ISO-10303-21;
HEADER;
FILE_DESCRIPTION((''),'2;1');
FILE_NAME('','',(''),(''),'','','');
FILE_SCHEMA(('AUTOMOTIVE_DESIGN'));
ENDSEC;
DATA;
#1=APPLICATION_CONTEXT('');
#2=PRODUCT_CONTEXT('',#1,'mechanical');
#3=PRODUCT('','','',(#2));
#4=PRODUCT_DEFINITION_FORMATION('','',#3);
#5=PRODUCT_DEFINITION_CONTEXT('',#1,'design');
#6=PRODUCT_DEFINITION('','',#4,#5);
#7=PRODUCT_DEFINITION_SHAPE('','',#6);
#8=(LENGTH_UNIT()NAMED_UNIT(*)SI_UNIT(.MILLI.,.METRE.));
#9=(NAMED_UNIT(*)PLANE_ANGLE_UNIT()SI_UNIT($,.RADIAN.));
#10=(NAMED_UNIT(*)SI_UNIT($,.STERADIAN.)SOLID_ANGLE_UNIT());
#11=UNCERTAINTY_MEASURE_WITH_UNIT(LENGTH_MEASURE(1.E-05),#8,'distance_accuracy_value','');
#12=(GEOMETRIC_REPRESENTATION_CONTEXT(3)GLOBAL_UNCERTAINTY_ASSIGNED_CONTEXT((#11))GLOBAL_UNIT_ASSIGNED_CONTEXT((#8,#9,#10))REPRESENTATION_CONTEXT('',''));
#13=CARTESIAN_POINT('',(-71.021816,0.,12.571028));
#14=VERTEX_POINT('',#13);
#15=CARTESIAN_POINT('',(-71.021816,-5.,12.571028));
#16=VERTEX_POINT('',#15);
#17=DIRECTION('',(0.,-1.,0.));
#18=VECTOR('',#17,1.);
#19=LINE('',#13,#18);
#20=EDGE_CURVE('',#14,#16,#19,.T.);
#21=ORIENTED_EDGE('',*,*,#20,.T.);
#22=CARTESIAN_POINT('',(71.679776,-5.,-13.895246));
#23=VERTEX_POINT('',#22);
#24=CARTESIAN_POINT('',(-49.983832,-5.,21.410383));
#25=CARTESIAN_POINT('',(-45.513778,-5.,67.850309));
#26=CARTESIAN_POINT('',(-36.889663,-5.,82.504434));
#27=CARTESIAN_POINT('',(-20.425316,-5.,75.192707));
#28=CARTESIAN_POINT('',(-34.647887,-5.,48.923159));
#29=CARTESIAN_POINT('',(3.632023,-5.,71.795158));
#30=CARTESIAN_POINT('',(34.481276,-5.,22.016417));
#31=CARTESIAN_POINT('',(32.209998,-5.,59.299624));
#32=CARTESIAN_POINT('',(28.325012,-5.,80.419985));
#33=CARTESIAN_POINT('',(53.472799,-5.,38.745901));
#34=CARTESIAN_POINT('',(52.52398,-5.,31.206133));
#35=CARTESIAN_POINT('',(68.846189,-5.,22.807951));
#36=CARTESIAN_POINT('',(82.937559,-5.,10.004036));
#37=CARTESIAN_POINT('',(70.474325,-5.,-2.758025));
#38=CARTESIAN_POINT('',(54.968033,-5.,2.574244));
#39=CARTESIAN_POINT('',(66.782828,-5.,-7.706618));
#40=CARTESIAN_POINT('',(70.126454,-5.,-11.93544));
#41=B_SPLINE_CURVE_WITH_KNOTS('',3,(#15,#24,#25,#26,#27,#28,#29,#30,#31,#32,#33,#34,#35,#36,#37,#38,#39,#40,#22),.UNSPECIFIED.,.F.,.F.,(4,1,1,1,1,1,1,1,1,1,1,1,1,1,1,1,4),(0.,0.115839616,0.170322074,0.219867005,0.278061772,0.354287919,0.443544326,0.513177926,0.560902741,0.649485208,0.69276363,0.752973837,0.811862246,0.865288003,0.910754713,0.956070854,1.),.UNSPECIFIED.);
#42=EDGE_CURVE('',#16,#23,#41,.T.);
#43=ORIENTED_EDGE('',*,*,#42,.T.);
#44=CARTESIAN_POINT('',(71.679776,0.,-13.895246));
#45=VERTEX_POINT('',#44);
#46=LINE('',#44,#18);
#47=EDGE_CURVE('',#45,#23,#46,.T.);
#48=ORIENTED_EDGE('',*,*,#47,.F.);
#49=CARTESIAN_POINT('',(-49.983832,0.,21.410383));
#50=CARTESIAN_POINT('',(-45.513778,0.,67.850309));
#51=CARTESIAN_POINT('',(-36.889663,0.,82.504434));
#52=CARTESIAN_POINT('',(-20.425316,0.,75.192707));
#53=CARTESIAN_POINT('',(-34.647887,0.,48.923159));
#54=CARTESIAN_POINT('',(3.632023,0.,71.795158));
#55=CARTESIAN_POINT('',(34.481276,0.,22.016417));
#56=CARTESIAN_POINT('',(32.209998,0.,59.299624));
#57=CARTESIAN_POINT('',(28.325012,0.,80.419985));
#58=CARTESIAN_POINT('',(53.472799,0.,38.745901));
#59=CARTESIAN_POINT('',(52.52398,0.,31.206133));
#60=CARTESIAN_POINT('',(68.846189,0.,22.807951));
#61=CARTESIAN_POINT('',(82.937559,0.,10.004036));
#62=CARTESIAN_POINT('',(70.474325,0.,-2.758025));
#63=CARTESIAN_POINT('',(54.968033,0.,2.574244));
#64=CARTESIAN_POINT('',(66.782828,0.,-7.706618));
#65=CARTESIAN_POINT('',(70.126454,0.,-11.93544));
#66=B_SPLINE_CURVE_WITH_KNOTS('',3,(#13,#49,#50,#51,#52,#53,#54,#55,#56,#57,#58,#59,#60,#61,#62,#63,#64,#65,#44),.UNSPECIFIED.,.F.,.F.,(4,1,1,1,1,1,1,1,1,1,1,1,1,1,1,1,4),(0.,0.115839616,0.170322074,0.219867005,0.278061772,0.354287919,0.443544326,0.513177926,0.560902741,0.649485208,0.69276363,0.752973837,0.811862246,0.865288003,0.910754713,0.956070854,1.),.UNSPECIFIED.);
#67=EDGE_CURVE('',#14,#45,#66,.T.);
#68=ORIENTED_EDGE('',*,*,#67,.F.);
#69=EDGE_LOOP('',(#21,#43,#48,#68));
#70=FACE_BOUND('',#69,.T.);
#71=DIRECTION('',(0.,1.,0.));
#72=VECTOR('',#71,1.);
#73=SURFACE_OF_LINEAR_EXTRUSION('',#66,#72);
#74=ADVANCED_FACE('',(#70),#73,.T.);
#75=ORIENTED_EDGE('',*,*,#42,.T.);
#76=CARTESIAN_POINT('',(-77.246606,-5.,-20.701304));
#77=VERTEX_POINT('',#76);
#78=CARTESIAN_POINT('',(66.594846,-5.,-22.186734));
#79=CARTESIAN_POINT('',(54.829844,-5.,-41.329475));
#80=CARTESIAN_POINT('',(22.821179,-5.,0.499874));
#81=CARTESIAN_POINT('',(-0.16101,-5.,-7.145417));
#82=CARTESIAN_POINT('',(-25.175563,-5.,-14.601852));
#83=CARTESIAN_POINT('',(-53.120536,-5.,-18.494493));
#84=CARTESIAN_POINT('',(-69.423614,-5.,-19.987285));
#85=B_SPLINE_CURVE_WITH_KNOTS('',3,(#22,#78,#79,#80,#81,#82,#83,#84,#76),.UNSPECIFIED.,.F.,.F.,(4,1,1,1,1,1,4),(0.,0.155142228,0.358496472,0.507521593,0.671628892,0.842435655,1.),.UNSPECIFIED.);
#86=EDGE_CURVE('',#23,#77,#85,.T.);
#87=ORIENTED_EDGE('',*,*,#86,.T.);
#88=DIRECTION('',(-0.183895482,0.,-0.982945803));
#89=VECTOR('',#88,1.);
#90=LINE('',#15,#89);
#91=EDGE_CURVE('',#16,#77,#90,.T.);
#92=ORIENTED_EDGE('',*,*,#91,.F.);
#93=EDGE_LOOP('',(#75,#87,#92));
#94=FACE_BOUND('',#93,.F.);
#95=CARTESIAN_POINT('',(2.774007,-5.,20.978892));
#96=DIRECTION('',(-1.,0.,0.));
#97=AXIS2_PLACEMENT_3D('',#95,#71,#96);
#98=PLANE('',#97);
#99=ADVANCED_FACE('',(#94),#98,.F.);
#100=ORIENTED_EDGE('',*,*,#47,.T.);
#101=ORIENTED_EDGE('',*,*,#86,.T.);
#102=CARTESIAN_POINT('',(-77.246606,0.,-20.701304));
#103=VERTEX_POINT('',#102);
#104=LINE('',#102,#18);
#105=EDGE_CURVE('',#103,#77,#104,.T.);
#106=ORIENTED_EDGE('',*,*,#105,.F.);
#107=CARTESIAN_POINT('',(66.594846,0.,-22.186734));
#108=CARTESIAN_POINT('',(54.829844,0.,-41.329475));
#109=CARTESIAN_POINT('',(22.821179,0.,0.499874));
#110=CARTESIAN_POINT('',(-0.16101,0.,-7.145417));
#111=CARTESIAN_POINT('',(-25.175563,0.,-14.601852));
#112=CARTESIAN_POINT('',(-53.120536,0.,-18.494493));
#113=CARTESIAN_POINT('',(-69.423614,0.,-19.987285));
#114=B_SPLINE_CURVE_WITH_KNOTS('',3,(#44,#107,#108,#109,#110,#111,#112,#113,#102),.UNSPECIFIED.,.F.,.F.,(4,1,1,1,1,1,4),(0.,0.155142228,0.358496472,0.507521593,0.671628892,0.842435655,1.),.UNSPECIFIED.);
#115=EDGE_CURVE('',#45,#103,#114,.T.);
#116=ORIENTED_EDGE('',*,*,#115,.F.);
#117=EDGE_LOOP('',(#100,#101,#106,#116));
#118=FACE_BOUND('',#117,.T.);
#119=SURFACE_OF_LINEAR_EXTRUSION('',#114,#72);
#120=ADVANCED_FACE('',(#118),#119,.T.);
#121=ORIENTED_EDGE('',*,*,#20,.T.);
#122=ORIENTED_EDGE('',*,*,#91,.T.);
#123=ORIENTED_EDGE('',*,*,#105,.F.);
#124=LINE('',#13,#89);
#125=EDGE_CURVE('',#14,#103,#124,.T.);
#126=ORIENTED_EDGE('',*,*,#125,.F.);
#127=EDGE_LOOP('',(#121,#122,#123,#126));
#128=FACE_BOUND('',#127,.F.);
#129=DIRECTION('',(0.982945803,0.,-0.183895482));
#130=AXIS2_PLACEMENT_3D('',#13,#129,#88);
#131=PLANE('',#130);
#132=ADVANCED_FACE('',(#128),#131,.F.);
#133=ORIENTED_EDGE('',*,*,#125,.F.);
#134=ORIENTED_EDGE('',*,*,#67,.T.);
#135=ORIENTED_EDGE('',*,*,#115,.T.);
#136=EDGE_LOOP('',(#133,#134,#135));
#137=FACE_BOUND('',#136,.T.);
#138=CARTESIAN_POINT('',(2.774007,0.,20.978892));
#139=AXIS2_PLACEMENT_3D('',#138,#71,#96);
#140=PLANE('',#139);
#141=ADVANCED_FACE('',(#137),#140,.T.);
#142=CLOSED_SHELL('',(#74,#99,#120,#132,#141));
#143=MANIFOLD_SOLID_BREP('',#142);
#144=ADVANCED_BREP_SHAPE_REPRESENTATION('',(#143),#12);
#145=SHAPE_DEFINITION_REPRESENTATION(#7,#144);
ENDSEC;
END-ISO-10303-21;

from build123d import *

# Parameters (mm, degrees)
F1_DEPTH = 5


with BuildPart() as f1:
    # F0 (on Front) → F1 (new body)
    with BuildSketch(Plane.XZ):
        with BuildLine():
            add(Edge.make_bspline(
                [(-71.0218160524, 12.5710277358), (-49.9838315676, 21.4103834539), (-45.5137779085, 67.8503086584), (-36.8896627974, 82.5044337379), (-20.4253155468, 75.1927070935), (-34.6478866826, 48.9231586675), (3.6320227273, 71.7951581428), (34.4812763511, 22.0164169532), (32.2099983655, 59.2996240014), (28.3250124098, 80.4199852449), (53.4727991545, 38.7459014568), (52.5239803247, 31.206132511), (68.846189253, 22.8079508887), (82.9375586342, 10.0040357513), (70.4743248796, -2.7580247864), (54.9680332456, 2.5742438108), (66.7828279154, -7.7066178663), (70.1264542688, -11.9354399628), (71.6797756974, -13.8952458577)],
                knots=[0, 0, 0, 0, 0.1158396156, 0.170322074, 0.2198670046, 0.2780617722, 0.3542879189, 0.4435443256, 0.5131779258, 0.5609027413, 0.6494852075, 0.6927636296, 0.7529738365, 0.8118622462, 0.8652880025, 0.9107547133, 0.9560708545, 1, 1, 1, 1], degree=3))
            Line((-71.0218160524, 12.5710277358), (-77.2466063499, -20.7013040781))
            add(Edge.make_bspline(
                [(71.6797756974, -13.8952458577), (66.5948462791, -22.1867338217), (54.8298442485, -41.3294748344), (22.8211793718, 0.4998741679), (-0.1610103457, -7.1454172271), (-25.175563139, -14.6018521327), (-53.120536208, -18.4944925632), (-69.4236143489, -19.9872851687), (-77.2466063499, -20.7013040781)],
                knots=[0, 0, 0, 0, 0.1551422277, 0.3584964715, 0.5075215934, 0.6716288916, 0.8424356554, 1, 1, 1, 1], degree=3))
        make_face()
    extrude(amount=F1_DEPTH)


solid = f1.part
